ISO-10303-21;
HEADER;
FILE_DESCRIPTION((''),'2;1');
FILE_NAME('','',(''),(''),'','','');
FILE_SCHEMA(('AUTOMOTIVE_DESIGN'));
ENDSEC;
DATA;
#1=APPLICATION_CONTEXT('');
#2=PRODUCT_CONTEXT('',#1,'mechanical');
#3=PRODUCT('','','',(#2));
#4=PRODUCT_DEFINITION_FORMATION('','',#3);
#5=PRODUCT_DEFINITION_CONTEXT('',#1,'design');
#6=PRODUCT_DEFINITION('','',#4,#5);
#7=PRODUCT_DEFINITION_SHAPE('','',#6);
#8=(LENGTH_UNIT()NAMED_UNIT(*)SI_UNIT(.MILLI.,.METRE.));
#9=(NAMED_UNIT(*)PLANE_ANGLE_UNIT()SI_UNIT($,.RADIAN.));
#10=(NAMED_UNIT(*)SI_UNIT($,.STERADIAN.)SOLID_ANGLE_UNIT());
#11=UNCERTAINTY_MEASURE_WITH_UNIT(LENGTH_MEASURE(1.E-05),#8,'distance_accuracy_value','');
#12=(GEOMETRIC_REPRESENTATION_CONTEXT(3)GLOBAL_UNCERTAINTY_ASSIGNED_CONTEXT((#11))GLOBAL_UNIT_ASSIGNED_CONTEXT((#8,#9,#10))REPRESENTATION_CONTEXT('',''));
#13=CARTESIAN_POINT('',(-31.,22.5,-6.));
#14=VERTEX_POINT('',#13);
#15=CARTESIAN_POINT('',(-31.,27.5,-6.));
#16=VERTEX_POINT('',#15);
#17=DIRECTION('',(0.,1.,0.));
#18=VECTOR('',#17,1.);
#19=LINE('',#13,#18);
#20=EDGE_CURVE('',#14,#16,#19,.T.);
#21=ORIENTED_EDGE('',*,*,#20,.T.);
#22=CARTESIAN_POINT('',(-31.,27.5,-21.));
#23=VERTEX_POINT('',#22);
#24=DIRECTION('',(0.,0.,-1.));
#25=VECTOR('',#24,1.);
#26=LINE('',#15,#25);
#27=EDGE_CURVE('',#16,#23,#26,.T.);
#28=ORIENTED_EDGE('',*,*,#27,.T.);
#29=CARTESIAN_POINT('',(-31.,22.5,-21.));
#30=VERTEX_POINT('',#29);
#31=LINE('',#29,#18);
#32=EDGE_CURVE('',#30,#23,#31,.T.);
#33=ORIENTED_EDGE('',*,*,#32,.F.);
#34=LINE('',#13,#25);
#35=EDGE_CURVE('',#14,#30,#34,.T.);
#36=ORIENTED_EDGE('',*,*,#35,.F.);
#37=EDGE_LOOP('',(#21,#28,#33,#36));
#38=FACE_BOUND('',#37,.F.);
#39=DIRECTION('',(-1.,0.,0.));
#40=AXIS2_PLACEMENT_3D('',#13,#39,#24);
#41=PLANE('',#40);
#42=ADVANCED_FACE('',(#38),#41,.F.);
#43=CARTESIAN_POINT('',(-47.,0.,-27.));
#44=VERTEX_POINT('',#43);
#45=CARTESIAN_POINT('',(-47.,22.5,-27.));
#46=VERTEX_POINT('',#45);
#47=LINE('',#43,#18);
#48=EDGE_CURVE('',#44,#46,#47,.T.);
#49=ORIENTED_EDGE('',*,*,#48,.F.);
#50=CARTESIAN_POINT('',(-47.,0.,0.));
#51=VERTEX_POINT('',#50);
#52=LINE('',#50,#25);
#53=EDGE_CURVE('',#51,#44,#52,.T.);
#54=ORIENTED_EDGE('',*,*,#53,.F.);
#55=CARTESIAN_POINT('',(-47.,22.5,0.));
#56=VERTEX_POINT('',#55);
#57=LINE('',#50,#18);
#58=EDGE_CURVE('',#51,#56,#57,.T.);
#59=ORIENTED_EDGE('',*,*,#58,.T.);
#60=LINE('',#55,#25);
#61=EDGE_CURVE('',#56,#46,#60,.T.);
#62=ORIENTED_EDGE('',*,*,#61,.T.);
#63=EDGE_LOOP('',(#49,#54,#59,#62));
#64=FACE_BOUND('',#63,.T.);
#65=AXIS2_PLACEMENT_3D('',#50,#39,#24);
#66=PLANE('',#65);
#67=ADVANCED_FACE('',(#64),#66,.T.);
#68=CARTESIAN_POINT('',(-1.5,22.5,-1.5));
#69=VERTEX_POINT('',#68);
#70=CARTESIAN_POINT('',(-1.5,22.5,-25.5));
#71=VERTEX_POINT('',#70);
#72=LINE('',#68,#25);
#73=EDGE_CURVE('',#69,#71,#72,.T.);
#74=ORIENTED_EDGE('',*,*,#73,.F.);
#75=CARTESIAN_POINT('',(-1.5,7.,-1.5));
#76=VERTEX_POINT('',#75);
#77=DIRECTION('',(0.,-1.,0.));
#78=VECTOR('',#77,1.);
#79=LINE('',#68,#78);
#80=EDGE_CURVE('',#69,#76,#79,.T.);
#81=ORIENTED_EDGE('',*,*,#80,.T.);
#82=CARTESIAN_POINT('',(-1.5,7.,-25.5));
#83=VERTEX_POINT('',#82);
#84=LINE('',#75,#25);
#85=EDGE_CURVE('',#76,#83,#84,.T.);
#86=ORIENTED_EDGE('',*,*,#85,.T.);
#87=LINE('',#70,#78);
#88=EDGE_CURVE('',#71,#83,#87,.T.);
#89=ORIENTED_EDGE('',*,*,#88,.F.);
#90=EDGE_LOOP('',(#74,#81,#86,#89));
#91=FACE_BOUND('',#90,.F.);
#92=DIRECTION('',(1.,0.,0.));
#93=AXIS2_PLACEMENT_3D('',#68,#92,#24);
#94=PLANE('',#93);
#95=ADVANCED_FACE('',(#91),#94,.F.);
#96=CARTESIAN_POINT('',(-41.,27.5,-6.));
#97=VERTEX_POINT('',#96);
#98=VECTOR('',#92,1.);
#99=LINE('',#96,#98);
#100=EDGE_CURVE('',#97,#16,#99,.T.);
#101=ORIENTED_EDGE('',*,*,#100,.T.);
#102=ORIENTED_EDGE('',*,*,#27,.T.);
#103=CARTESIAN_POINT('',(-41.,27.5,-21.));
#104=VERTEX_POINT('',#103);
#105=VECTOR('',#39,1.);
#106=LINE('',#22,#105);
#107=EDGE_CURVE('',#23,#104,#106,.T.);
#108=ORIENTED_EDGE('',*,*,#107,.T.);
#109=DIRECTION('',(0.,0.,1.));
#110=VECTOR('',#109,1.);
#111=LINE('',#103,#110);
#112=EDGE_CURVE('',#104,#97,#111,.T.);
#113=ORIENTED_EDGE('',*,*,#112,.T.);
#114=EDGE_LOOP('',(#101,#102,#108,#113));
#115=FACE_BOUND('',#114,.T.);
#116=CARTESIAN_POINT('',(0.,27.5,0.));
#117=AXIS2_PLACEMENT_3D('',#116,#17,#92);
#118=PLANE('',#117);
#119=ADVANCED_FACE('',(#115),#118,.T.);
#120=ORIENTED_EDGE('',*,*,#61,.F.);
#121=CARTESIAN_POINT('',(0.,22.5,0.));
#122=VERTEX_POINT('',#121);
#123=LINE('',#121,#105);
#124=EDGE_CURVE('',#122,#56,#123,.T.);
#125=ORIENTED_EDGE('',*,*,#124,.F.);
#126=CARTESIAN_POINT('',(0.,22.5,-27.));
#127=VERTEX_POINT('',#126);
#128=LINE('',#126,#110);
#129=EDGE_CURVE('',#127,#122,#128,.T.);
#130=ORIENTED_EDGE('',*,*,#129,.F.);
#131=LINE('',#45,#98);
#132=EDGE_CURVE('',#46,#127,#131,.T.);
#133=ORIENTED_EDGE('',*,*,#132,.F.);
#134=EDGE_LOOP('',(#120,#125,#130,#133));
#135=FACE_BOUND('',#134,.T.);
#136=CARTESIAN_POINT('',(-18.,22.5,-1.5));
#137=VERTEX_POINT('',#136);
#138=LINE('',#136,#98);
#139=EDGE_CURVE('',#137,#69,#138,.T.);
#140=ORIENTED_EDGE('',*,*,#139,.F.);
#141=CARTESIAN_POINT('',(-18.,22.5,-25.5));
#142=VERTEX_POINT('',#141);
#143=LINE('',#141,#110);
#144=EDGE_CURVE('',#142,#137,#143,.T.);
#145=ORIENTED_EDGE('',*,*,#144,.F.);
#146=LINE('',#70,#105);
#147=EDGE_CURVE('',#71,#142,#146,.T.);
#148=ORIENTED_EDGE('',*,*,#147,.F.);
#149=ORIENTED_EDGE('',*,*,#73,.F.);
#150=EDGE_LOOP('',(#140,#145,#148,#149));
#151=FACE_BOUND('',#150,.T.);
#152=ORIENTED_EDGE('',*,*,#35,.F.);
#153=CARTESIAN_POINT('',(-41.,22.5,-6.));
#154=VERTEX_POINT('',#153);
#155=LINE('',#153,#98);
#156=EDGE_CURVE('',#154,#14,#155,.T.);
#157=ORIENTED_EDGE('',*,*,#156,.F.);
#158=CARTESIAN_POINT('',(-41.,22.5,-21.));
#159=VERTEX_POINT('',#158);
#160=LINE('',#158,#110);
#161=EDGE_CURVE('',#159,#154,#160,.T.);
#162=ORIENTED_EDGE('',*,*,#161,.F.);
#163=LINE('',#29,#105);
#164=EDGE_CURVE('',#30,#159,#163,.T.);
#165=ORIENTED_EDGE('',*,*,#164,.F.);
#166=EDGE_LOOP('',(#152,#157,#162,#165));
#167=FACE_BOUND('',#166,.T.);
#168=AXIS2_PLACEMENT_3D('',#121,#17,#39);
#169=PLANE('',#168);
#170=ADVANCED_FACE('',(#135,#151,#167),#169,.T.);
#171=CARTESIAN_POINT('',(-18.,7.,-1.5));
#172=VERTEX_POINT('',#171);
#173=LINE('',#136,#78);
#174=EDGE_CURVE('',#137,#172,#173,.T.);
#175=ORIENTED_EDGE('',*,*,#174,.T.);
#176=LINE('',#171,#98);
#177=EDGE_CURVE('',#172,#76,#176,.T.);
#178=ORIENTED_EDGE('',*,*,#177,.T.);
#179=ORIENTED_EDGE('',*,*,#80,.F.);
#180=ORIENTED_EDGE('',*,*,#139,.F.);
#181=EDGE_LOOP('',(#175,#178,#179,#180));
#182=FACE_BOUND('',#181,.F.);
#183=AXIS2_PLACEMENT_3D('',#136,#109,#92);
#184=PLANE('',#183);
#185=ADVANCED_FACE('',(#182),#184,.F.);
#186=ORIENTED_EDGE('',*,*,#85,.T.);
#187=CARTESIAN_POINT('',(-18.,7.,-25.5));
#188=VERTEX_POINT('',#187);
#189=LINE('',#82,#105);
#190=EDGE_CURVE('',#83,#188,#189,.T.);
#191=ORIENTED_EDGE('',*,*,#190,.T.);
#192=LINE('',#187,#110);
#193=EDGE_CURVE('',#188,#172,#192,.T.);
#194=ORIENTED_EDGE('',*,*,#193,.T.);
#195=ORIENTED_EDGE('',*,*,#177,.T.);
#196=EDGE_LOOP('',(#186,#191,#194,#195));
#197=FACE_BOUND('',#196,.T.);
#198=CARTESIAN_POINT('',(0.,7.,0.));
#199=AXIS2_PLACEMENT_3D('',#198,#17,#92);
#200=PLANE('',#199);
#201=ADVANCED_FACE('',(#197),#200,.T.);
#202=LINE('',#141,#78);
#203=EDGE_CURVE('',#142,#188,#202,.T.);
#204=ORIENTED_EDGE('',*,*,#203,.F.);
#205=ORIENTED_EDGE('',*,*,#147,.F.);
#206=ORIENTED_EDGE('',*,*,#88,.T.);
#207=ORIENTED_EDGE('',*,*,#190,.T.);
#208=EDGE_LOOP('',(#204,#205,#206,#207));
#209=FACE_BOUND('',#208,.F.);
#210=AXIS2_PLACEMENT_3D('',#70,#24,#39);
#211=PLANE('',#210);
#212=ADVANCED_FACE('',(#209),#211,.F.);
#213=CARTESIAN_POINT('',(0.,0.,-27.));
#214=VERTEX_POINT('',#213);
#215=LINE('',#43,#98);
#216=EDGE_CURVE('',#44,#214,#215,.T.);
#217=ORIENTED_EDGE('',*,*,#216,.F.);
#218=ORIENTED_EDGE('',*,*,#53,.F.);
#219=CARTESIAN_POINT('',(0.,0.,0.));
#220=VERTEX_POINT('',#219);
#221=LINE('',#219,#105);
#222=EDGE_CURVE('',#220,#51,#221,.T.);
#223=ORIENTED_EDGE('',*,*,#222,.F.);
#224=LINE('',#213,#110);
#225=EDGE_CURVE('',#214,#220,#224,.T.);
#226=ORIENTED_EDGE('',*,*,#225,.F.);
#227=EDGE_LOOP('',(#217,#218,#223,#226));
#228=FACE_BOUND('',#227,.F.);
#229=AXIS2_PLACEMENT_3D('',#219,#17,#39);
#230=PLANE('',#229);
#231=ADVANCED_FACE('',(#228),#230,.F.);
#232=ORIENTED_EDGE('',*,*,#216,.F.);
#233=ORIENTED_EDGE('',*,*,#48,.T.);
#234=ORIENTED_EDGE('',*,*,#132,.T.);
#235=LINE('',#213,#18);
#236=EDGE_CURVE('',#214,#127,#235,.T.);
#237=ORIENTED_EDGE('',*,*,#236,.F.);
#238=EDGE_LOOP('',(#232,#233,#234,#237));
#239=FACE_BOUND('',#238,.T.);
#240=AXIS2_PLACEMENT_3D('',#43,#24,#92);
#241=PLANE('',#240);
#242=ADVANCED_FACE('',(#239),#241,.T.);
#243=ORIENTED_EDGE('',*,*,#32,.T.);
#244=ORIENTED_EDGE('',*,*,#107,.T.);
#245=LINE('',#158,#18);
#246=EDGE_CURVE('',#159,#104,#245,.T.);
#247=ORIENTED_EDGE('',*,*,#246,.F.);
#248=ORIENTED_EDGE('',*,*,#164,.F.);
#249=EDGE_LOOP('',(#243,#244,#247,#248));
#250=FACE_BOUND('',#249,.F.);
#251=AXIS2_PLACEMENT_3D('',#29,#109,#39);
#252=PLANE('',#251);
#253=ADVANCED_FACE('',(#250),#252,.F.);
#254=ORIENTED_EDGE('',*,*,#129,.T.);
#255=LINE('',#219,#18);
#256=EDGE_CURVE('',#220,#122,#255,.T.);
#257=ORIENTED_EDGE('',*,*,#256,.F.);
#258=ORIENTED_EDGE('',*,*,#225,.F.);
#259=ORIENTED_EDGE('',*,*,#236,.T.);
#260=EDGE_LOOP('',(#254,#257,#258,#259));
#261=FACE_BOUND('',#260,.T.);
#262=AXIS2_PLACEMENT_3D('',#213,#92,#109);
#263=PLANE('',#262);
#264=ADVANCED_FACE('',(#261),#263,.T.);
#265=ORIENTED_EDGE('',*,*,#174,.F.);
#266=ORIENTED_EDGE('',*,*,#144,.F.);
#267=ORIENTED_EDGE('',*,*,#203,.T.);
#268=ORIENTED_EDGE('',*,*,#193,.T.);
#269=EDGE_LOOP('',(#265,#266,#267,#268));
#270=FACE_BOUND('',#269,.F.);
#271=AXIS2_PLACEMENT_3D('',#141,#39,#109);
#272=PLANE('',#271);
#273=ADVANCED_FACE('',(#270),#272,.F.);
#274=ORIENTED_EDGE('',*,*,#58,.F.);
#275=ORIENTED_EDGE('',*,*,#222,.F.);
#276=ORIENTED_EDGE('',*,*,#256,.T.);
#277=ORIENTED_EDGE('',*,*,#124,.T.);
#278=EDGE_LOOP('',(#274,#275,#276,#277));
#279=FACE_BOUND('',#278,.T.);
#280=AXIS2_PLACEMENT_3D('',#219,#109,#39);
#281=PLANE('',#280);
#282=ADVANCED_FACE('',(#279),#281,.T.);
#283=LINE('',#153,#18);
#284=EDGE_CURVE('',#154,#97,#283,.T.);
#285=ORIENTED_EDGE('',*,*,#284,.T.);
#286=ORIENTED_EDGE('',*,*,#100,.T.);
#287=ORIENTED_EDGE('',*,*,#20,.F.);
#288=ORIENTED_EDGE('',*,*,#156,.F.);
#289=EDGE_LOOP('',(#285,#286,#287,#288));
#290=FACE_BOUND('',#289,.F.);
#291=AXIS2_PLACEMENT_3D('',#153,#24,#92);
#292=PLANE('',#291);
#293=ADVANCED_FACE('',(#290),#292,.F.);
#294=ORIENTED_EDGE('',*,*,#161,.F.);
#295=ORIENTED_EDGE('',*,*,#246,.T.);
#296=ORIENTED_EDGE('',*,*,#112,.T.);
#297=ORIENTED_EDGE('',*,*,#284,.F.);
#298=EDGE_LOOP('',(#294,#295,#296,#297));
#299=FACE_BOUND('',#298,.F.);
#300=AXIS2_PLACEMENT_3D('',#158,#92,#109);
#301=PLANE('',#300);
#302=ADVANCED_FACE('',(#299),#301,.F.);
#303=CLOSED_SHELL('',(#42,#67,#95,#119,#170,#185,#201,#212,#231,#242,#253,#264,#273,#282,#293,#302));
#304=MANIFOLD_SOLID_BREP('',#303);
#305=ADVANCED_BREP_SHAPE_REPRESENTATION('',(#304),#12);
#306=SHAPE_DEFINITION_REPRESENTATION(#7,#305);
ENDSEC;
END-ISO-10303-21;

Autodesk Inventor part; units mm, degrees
ref_plane "YZ Plane" through (0, 0, 0) normal (1, 0, 0) x (0, 1, 0)
ref_plane "XZ Plane" through (0, 0, 0) normal (0, 1, 0) x (-1, 0, 0)
ref_plane "XY Plane" through (0, 0, 0) normal (0, 0, 1) x (1, 0, 0)
sketch "Эскиз1" plane through (0, 0, 0) normal (0, 1, 0) x (-1, 0, 0)
  line L0 (0, 0) -> (47, 0)
  line L1 (47, 0) -> (47, -27)
  line L2 (47, -27) -> (0, -27)
  line L3 (0, -27) -> (0, 0)
  dimension "d0" = 47
  dimension "d1" = 27
extrude "Выдавливание1" add sketch "Эскиз1" along normal blind 22.5
sketch "Эскиз2" plane through (0, 22.5, 0) normal (0, 1, 0) x (1, 0, 0)
  line L0 (-18, 1.5) -> (-1.5, 1.5)
  line L1 (-1.5, 1.5) -> (-1.5, 25.5)
  line L2 (-1.5, 25.5) -> (-18, 25.5)
  line L3 (-18, 25.5) -> (-18, 1.5)
  line L4 (-47, 0) -> (0, 0) projected
  line L5 (0, 0) -> (0, 27) projected
  dimension "d4" = 16.5
  dimension "d5" = 24
  dimension "d6" = 1.5
  dimension "d7" = 1.5
extrude "Выдавливание2" cut sketch "Эскиз2" against normal blind 15.5
sketch "Эскиз3" plane through (0, 22.5, 0) normal (0, 1, 0) x (1, 0, 0)
  line L0 (-41, 6) -> (-31, 6)
  line L1 (-31, 6) -> (-31, 21)
  line L2 (-31, 21) -> (-41, 21)
  line L3 (-41, 21) -> (-41, 6)
  line L4 (-47, 27) -> (-47, 0) projected
  line L5 (-47, 0) -> (0, 0) projected
  dimension "d10" = 10
  dimension "d11" = 15
  dimension "d12" = 6
  dimension "d13" = 6
extrude "Выдавливание3" add sketch "Эскиз3" along normal blind 5
properties part number "Разъем220"
